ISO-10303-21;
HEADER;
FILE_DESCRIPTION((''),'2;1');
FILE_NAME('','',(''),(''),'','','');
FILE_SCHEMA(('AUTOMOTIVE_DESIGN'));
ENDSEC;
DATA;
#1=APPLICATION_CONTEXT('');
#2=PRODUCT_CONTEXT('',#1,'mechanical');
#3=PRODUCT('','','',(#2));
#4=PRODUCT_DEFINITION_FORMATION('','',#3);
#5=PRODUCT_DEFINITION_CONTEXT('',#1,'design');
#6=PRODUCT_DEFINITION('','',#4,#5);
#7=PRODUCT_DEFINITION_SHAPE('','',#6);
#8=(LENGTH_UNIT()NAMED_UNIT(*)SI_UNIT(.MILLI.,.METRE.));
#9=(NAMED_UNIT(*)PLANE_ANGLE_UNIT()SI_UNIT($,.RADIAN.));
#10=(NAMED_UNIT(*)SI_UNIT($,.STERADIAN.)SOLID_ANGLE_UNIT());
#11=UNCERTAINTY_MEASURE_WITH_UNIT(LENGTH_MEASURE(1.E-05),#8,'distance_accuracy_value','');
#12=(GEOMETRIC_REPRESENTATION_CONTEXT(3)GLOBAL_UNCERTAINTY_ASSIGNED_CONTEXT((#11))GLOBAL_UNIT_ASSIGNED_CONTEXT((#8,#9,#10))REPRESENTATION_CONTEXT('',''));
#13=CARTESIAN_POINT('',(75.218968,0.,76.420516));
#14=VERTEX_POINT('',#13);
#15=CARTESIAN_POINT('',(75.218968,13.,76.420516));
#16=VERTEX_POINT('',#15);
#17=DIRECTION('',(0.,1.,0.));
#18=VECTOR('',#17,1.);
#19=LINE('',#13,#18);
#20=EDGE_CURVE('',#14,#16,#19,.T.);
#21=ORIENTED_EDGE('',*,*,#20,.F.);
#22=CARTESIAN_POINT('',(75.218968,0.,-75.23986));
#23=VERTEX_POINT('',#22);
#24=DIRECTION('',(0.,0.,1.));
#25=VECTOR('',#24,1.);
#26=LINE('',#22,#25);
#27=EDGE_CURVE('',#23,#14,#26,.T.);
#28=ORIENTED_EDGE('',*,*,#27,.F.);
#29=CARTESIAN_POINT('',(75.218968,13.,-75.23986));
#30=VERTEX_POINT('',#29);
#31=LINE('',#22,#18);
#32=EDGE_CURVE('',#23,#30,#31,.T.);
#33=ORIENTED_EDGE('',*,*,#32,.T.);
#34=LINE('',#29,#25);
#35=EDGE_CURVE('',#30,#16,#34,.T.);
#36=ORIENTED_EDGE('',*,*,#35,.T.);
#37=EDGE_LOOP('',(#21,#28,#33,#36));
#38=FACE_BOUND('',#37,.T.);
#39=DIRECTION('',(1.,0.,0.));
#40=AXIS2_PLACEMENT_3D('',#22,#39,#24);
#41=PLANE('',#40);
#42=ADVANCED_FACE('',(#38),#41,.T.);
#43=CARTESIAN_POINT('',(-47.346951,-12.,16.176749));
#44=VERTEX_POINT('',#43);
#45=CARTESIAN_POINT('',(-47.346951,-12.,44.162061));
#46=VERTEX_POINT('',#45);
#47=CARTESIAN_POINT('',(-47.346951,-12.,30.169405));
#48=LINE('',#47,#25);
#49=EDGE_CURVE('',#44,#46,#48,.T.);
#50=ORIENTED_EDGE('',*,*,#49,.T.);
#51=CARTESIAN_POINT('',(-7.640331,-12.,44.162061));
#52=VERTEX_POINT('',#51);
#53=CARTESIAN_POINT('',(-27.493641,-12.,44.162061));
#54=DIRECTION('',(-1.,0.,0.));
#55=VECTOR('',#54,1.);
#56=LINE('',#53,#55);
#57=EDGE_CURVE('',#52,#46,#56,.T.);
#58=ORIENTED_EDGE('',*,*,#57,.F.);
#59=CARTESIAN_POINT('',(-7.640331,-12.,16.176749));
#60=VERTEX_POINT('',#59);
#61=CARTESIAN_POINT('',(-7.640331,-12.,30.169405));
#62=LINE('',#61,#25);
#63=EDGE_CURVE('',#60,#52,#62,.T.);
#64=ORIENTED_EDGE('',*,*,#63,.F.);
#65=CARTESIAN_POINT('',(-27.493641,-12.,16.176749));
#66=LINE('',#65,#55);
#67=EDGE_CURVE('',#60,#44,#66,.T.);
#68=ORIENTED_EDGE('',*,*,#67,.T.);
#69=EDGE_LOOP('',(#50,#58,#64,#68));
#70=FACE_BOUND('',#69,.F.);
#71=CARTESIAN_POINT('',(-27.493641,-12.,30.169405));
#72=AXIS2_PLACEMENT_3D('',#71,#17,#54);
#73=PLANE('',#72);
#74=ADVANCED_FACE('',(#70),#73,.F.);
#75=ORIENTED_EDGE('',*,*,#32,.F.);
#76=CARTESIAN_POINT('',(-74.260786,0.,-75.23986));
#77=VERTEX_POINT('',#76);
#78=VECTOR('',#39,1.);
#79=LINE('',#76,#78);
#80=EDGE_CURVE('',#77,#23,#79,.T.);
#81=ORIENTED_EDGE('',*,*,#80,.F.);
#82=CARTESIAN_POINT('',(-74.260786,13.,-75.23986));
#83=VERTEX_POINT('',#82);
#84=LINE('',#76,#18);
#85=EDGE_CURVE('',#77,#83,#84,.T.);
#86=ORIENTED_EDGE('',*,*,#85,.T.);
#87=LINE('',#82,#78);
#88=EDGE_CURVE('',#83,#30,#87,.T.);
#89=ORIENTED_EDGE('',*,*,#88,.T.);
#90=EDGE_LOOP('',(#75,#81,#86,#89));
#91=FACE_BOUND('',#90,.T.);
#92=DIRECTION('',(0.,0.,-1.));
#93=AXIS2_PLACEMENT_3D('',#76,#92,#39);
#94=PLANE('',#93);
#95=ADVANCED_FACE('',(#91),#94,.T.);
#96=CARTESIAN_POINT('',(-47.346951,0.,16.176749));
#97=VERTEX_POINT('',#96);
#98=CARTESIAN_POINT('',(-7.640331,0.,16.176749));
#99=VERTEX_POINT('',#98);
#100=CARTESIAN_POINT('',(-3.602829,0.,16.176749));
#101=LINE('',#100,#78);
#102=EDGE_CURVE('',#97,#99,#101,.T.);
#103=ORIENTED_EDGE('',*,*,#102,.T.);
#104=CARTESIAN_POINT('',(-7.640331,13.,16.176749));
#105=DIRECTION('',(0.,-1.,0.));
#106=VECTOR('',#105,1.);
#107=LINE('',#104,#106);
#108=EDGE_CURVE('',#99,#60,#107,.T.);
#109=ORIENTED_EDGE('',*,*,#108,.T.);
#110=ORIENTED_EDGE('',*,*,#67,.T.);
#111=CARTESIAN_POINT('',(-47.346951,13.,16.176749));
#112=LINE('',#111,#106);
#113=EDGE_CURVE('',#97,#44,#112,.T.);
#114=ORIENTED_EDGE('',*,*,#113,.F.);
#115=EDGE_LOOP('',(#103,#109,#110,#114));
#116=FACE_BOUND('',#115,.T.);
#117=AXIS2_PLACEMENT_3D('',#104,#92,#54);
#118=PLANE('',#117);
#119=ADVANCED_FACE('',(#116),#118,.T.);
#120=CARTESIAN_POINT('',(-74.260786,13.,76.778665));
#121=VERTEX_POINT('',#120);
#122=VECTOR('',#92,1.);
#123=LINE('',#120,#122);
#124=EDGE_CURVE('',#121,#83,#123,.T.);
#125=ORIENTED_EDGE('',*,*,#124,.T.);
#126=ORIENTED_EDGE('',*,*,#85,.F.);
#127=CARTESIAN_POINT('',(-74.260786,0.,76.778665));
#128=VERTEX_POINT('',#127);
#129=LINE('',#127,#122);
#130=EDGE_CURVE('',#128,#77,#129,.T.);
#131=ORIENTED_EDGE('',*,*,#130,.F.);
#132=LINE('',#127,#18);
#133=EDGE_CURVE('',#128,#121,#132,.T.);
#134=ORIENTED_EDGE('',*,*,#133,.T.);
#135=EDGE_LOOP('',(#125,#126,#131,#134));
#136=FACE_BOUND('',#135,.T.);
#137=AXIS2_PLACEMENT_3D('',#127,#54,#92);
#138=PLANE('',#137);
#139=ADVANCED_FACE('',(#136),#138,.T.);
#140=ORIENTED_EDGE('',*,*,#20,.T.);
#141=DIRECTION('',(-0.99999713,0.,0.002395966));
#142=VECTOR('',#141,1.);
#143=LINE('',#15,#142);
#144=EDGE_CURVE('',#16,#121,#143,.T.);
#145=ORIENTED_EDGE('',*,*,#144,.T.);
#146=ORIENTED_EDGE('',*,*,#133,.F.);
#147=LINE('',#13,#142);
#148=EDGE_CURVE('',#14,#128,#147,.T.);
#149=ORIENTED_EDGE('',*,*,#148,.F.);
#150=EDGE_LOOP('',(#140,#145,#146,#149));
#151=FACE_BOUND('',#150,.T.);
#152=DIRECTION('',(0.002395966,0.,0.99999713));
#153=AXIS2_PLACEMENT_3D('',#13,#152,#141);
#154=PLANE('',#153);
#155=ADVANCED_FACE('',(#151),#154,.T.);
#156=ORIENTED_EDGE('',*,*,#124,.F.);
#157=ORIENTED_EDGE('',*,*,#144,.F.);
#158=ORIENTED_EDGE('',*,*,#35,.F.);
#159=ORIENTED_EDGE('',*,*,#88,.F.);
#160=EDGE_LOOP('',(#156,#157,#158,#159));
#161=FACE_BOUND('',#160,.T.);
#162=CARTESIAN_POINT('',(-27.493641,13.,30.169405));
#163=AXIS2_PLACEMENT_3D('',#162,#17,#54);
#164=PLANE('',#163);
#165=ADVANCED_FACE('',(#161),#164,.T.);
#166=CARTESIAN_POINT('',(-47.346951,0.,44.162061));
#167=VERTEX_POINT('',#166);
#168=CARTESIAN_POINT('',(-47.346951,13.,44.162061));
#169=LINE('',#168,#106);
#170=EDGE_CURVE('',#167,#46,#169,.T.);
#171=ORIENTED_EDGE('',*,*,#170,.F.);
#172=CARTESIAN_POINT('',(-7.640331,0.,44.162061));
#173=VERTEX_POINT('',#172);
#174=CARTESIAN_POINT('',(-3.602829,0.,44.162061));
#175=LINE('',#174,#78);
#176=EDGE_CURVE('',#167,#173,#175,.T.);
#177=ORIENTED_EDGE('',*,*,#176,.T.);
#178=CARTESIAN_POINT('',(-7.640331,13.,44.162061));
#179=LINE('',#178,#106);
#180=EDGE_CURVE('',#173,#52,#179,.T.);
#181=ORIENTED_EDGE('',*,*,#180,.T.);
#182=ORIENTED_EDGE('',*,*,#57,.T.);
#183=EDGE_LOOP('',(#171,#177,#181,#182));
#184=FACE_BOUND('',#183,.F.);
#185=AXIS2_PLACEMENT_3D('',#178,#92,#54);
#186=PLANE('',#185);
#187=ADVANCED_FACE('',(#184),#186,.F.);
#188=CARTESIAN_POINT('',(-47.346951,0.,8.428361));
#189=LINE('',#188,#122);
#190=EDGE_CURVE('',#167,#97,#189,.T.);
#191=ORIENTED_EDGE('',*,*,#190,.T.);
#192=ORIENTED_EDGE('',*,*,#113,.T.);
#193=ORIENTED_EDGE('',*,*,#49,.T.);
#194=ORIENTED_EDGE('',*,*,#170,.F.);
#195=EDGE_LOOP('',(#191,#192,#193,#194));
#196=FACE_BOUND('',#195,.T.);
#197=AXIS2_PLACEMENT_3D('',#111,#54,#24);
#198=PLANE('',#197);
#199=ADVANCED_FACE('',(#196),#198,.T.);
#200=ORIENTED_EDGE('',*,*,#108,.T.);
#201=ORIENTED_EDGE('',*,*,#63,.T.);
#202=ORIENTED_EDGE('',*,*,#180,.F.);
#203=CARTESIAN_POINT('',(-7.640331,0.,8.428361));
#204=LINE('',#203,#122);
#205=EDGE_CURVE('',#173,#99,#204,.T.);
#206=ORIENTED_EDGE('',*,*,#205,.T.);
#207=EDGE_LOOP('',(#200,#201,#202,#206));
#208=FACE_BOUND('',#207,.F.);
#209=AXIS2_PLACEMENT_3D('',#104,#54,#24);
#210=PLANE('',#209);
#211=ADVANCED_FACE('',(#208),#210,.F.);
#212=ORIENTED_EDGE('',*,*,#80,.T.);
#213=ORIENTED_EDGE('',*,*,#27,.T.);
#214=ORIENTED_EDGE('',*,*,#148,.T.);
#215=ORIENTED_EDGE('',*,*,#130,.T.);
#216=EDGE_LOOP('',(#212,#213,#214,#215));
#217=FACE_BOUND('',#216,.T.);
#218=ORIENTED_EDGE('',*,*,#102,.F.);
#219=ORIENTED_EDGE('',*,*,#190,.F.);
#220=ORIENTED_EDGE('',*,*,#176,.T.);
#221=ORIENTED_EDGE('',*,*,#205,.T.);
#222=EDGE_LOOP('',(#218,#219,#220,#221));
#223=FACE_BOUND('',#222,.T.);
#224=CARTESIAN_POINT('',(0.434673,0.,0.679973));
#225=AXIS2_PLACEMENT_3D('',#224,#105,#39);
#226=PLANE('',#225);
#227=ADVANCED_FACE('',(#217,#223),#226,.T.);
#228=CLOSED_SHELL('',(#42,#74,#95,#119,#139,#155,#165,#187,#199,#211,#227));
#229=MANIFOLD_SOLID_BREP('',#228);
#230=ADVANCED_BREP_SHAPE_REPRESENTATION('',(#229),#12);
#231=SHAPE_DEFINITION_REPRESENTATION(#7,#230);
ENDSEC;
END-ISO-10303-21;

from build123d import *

# Parameters (mm, degrees)
F1_DEPTH = 13
F4_W     = 39.5263805985
F4_H     = 30.6198559701
F5_DEPTH = 12
F3_W     = 39.7066194564
F3_H     = 27.9853120446
F6_DEPTH = 25


with BuildPart() as f1:
    # F0 (on Front) → F1 (new body)
    with BuildSketch(Plane.XZ):
        Polygon((75.2189680934, 76.4205157757), (-74.2607861757, 76.778665185), (-74.2607861757, -75.2398595214), (75.2189680934, -75.2398595214), align=None)
    extrude(amount=-F1_DEPTH)

    # F4 (on face) → F5 (join)
    with BuildSketch(Plane.XZ):
        with Locations((24.8862691224, 28.5907592624)):
            Rectangle(F4_W, F4_H)
    extrude(amount=-F5_DEPTH)

    # F3 (on face) → F6 (join)
    with BuildSketch(Plane(origin=(0, 13, 0), x_dir=(-1, 0, 0), z_dir=(0, 1, 0))):
        with Locations((27.4936407804, 30.1694050431)):
            Rectangle(F3_W, F3_H)
    extrude(amount=-F6_DEPTH)


solid = f1.part
